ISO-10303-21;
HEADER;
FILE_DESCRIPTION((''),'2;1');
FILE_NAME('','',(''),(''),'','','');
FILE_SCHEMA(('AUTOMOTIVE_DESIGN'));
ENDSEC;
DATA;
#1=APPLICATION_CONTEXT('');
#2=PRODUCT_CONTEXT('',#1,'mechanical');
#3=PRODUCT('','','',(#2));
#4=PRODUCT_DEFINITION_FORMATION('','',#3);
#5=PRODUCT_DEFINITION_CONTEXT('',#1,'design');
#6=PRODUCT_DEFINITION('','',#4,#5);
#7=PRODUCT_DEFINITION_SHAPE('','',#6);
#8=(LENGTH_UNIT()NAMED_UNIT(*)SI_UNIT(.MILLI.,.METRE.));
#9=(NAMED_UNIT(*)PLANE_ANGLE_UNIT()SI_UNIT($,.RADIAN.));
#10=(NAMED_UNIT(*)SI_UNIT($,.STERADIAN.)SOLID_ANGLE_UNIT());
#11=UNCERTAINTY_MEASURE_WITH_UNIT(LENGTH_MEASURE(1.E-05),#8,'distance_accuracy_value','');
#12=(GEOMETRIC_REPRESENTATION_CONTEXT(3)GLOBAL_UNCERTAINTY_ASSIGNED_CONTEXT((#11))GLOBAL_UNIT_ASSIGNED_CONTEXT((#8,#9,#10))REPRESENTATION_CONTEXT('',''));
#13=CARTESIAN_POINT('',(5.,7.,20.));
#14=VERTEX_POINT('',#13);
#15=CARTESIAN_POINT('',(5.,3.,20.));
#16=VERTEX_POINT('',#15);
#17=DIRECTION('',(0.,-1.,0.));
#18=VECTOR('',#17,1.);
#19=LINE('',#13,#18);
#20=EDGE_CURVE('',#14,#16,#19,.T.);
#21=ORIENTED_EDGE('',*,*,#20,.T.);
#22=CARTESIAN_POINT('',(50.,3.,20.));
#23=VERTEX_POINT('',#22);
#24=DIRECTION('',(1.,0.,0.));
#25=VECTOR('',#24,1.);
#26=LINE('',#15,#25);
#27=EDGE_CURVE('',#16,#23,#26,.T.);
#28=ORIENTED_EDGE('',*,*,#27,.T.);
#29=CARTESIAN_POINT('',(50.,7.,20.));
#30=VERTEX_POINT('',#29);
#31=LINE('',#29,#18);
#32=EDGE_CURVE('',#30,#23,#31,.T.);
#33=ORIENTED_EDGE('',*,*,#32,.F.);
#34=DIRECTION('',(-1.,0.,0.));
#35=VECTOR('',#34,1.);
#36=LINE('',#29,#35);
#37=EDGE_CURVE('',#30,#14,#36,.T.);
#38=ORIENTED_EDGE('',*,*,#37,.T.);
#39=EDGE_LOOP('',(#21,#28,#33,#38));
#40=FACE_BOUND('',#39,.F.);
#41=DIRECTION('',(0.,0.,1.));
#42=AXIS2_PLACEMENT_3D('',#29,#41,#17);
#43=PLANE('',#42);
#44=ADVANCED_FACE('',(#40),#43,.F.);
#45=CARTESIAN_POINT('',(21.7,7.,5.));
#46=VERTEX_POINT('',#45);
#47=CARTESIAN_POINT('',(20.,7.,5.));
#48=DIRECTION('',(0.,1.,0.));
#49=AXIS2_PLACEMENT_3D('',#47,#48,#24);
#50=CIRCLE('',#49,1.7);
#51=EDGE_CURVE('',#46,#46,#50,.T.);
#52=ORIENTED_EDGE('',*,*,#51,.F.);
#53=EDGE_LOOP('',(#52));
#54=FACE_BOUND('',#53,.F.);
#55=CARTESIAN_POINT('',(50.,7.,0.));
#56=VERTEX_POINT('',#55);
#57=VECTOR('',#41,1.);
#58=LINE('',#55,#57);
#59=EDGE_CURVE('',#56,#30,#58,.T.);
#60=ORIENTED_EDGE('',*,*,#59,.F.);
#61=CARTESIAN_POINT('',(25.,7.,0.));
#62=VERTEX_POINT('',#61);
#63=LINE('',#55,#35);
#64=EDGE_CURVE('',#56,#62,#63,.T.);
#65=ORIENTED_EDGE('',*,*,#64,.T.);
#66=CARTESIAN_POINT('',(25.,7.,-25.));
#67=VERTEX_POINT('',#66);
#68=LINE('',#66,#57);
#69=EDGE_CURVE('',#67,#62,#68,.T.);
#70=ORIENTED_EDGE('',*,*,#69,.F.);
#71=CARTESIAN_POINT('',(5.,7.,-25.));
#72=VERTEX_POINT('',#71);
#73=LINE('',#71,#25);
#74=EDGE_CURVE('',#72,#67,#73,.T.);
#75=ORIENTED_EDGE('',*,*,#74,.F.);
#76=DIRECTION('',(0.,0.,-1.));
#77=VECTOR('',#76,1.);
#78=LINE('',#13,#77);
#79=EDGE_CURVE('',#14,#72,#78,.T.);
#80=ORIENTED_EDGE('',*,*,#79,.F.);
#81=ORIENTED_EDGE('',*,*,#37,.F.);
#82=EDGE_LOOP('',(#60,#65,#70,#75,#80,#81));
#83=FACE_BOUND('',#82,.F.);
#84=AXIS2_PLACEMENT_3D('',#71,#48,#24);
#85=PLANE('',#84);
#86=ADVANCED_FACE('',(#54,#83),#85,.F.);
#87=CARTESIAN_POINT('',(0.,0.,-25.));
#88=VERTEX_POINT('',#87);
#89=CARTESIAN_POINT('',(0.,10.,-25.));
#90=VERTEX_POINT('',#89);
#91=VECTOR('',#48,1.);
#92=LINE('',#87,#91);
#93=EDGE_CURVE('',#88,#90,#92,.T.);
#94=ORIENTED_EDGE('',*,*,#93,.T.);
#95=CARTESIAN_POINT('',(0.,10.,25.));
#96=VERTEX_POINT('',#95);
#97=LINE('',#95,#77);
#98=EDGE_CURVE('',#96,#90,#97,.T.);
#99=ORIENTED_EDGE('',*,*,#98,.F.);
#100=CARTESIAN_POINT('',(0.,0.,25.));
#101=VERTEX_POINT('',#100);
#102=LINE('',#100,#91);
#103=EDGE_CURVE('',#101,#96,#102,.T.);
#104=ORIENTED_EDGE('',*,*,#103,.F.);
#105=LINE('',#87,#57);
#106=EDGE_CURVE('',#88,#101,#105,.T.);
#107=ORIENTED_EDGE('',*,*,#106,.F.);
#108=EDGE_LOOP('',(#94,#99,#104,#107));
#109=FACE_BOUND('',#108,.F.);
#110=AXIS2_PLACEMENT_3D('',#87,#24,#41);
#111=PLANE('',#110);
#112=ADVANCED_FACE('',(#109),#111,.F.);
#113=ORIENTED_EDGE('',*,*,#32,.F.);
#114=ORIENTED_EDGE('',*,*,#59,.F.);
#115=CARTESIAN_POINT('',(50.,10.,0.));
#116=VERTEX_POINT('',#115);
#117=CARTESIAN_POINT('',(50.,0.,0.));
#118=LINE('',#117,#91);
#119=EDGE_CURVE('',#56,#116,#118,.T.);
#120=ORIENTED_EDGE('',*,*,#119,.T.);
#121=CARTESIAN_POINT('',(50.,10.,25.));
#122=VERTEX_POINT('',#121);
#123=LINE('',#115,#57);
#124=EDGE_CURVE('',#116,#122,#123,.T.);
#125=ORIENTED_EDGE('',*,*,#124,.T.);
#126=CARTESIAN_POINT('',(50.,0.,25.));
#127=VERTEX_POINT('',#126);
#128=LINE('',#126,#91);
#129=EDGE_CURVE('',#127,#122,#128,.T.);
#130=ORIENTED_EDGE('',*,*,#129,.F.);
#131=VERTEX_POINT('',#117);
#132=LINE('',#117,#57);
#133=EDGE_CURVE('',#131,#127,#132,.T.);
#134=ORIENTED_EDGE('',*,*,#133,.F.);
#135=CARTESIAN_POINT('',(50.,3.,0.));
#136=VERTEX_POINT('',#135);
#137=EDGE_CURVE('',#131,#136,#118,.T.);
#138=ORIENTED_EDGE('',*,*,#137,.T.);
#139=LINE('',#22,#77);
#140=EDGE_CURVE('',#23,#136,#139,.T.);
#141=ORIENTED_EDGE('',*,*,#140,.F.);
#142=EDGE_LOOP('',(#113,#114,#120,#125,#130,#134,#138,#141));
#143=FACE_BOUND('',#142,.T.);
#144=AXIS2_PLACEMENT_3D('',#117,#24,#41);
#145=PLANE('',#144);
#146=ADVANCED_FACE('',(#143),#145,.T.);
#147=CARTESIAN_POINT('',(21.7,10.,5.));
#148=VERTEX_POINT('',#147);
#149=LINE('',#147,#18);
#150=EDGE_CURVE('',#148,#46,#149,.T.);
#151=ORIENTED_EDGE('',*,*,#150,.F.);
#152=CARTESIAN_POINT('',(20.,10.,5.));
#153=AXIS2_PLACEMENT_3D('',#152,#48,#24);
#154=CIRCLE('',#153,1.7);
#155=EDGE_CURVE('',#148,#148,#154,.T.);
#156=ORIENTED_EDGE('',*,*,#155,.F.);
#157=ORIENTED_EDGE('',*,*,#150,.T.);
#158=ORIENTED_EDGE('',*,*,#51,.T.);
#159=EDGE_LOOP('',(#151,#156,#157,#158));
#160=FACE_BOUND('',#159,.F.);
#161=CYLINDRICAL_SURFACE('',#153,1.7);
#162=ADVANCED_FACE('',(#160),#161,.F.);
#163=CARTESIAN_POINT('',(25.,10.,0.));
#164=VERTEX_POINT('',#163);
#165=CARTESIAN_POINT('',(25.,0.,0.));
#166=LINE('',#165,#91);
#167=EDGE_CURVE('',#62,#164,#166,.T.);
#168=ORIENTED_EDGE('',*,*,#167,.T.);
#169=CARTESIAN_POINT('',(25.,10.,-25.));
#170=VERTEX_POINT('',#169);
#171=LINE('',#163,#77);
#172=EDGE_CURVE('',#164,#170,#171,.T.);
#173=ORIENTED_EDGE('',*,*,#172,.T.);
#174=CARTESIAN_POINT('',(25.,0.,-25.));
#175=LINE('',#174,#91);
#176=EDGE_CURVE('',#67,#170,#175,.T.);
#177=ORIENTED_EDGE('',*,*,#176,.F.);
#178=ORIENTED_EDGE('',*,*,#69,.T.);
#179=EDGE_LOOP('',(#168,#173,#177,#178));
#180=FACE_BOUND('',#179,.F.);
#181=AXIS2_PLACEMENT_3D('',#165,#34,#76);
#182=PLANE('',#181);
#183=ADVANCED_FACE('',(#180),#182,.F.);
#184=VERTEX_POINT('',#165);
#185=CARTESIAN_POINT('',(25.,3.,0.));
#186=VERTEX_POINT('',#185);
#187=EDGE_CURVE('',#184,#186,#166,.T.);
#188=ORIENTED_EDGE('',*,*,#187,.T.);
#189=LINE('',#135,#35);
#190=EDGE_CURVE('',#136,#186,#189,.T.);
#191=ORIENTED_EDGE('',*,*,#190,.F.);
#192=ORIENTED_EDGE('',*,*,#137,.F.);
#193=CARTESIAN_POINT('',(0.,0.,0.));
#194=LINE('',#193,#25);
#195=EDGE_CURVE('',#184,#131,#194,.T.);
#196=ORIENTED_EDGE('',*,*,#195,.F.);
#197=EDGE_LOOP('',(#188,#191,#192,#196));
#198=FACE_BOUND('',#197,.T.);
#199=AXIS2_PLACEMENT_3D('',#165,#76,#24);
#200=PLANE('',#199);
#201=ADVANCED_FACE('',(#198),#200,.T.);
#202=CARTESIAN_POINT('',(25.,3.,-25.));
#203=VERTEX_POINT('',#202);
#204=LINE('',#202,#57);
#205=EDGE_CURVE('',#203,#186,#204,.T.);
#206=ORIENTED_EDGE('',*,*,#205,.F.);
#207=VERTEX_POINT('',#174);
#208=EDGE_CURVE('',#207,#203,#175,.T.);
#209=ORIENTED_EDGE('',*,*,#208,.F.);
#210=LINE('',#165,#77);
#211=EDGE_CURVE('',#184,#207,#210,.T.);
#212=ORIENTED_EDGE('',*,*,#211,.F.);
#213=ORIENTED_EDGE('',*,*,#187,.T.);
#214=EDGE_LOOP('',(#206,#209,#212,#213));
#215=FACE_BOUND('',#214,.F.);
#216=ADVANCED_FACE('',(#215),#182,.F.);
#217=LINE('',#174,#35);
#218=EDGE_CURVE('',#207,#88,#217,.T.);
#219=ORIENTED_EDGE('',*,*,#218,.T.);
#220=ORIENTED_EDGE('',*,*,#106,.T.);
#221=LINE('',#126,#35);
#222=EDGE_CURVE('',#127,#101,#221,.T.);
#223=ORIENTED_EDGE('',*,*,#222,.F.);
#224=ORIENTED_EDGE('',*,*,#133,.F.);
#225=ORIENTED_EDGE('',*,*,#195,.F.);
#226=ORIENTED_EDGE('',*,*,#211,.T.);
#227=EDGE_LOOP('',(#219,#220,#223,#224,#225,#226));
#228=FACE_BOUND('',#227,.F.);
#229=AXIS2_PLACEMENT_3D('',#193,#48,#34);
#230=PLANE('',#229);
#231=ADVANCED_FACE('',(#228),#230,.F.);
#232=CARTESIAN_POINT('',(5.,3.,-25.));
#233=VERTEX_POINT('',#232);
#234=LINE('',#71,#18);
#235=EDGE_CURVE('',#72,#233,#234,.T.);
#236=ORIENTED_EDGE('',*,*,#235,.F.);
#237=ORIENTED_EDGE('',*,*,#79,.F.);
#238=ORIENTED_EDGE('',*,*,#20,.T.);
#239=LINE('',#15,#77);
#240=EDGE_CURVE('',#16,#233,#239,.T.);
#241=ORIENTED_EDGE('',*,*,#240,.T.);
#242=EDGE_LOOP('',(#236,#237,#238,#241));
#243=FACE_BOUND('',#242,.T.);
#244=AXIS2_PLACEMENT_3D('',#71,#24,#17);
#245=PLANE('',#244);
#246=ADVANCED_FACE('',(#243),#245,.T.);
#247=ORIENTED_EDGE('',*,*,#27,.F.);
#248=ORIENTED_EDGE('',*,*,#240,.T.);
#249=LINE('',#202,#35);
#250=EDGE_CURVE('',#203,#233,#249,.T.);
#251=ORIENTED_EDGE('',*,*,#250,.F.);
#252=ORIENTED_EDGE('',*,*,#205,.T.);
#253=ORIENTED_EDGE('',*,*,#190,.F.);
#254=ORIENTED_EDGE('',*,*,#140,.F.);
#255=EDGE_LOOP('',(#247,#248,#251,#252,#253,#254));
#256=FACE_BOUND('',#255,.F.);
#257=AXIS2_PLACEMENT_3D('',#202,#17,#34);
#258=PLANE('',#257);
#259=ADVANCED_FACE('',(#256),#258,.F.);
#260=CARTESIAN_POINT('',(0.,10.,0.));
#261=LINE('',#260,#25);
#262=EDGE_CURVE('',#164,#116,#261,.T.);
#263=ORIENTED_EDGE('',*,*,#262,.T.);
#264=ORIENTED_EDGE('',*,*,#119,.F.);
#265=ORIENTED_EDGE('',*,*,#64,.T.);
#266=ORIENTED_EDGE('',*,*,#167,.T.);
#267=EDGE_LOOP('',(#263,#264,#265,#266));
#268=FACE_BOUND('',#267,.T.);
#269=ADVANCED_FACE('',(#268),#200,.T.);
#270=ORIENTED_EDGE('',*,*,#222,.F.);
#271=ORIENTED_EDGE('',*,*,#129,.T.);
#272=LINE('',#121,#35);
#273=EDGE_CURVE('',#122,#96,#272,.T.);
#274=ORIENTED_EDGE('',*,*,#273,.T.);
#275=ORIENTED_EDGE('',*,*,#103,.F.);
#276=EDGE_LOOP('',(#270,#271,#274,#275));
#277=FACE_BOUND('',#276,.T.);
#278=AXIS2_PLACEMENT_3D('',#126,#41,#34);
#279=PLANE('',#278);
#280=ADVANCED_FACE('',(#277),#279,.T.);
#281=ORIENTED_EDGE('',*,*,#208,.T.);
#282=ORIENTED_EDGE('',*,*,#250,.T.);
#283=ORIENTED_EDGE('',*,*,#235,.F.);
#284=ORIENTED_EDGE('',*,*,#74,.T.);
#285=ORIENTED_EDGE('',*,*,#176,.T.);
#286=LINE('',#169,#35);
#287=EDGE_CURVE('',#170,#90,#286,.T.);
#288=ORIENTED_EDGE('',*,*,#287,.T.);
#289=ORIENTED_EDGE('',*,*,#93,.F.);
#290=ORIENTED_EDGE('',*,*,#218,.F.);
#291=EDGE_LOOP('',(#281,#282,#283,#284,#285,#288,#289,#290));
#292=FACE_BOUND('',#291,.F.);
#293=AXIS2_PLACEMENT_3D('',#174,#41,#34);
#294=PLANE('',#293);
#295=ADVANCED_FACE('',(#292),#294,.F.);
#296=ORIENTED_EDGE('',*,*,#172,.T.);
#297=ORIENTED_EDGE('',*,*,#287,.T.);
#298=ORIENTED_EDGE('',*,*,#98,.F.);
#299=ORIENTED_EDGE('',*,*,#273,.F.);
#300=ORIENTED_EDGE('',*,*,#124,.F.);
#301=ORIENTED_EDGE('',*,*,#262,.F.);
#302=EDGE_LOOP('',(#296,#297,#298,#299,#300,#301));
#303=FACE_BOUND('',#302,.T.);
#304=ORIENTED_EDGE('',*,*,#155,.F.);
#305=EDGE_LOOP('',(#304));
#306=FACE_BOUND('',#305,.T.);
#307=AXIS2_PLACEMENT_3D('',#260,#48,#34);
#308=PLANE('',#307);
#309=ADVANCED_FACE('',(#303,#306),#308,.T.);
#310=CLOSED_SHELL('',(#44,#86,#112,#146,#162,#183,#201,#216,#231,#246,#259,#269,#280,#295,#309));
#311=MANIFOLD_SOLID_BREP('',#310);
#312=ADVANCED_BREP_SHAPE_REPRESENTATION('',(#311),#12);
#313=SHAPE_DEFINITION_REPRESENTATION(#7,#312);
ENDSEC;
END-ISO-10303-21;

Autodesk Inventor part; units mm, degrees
ref_plane "YZ Plane" through (0, 0, 0) normal (1, 0, 0) x (0, 1, 0)
ref_plane "XZ Plane" through (0, 0, 0) normal (0, 1, 0) x (-1, 0, 0)
ref_plane "XY Plane" through (0, 0, 0) normal (0, 0, 1) x (1, 0, 0)
sketch "Skizze1" plane through (0, 0, 0) normal (0, 1, 0) x (-1, 0, 0)
  line L0 (0, 0) -> (-50, 0)
  line L1 (-50, 0) -> (-50, 25)
  line L2 (-50, 25) -> (0, 25)
  line L3 (0, 25) -> (0, 0)
  line L4 (0, 0) -> (-25, 0)
  line L5 (-25, 0) -> (-25, -25)
  line L6 (-25, -25) -> (0, -25)
  line L7 (0, -25) -> (0, 0)
  dimension "d0" = 50
  dimension "d1" = 25
  dimension "d2" = 25
  dimension "d3" = 25
extrude "Extrusion1" add sketch "Skizze1" along normal blind 10
sketch "Skizze2" plane through (50, 0, 25) normal (1, 0, 0) x (0, 0, -1)
  line L0 (25, 0) -> (25, 10) projected
  line L1 (25, 7) -> (5, 7)
  line L2 (5, 7) -> (5, 3)
  line L3 (5, 3) -> (25, 3)
  line L4 (25, 3) -> (25, 7)
  line L5 (0, 10) -> (25, 10) projected
  line L6 (0, 0) -> (25, 0) projected
  point P0 (12.5, 10)
  dimension "d6" = 3
  dimension "d7" = 3
  dimension "d8" = 20
extrude "Extrusion2" cut sketch "Skizze2" against normal blind 45
sketch "Skizze3" plane through (25, 0, -25) normal (0, 0, -1) x (-1, 0, 0)
  line L0 (0, 3) -> (20, 3) projected
  line L1 (20, 7) -> (20, 3) projected
  line L2 (0, 3) -> (20, 3)
  line L3 (20, 3) -> (20, 7)
  line L4 (20, 7) -> (0, 7)
  line L5 (0, 7) -> (0, 3)
  point P0 (25, 0)
extrude "Extrusion3" cut sketch "Skizze3" against normal blind 45
sketch "Skizze4" plane through (0, 10, 0) normal (0, 1, 0) x (1, 0, 0)
  line L0 (50, -20) -> (5, -20) projected
  line L1 (25, 0) -> (5, 0)
  line L2 (5, 0) -> (5, -20)
  line L3 (5, -20) -> (25, -20)
  line L4 (25, -20) -> (25, 0)
  line L5 (5, -20) -> (35, -20)
  line L6 (35, -20) -> (35, 10)
  line L7 (35, 10) -> (5, 10)
  line L8 (5, 10) -> (5, -20)
  circle A0 centre (20, -5) radius 1.7
  point P0 (0, 0)
  dimension "d13" = 30
  dimension "d14" = 30
  dimension "d15" = 3.4
extrude "Extrusion4" cut sketch "Skizze4" against normal blind 3 contours A0
equation "\"Biegeradius\" = Stärke"
equation "\"BreiteBiegungsfreistellung\" = Stärke"
equation "\"TiefeBiegungsfreistellung\" = 0.5 * Stärke"
equation "\"GrößeEckenfreistellung\" = 4 * Stärke"
equation "\"MinimalRest\" = 2 * Stärke"
equation "\"Übergangsradius\" = Biegeradius"
equation "\"JacobiRadiusGröße\" = Biegeradius"
equation "\"Abstandsgröße\" = Stärke"
equation "\"Stärke\" = 0.5"
properties part number "Eckenbohren"
